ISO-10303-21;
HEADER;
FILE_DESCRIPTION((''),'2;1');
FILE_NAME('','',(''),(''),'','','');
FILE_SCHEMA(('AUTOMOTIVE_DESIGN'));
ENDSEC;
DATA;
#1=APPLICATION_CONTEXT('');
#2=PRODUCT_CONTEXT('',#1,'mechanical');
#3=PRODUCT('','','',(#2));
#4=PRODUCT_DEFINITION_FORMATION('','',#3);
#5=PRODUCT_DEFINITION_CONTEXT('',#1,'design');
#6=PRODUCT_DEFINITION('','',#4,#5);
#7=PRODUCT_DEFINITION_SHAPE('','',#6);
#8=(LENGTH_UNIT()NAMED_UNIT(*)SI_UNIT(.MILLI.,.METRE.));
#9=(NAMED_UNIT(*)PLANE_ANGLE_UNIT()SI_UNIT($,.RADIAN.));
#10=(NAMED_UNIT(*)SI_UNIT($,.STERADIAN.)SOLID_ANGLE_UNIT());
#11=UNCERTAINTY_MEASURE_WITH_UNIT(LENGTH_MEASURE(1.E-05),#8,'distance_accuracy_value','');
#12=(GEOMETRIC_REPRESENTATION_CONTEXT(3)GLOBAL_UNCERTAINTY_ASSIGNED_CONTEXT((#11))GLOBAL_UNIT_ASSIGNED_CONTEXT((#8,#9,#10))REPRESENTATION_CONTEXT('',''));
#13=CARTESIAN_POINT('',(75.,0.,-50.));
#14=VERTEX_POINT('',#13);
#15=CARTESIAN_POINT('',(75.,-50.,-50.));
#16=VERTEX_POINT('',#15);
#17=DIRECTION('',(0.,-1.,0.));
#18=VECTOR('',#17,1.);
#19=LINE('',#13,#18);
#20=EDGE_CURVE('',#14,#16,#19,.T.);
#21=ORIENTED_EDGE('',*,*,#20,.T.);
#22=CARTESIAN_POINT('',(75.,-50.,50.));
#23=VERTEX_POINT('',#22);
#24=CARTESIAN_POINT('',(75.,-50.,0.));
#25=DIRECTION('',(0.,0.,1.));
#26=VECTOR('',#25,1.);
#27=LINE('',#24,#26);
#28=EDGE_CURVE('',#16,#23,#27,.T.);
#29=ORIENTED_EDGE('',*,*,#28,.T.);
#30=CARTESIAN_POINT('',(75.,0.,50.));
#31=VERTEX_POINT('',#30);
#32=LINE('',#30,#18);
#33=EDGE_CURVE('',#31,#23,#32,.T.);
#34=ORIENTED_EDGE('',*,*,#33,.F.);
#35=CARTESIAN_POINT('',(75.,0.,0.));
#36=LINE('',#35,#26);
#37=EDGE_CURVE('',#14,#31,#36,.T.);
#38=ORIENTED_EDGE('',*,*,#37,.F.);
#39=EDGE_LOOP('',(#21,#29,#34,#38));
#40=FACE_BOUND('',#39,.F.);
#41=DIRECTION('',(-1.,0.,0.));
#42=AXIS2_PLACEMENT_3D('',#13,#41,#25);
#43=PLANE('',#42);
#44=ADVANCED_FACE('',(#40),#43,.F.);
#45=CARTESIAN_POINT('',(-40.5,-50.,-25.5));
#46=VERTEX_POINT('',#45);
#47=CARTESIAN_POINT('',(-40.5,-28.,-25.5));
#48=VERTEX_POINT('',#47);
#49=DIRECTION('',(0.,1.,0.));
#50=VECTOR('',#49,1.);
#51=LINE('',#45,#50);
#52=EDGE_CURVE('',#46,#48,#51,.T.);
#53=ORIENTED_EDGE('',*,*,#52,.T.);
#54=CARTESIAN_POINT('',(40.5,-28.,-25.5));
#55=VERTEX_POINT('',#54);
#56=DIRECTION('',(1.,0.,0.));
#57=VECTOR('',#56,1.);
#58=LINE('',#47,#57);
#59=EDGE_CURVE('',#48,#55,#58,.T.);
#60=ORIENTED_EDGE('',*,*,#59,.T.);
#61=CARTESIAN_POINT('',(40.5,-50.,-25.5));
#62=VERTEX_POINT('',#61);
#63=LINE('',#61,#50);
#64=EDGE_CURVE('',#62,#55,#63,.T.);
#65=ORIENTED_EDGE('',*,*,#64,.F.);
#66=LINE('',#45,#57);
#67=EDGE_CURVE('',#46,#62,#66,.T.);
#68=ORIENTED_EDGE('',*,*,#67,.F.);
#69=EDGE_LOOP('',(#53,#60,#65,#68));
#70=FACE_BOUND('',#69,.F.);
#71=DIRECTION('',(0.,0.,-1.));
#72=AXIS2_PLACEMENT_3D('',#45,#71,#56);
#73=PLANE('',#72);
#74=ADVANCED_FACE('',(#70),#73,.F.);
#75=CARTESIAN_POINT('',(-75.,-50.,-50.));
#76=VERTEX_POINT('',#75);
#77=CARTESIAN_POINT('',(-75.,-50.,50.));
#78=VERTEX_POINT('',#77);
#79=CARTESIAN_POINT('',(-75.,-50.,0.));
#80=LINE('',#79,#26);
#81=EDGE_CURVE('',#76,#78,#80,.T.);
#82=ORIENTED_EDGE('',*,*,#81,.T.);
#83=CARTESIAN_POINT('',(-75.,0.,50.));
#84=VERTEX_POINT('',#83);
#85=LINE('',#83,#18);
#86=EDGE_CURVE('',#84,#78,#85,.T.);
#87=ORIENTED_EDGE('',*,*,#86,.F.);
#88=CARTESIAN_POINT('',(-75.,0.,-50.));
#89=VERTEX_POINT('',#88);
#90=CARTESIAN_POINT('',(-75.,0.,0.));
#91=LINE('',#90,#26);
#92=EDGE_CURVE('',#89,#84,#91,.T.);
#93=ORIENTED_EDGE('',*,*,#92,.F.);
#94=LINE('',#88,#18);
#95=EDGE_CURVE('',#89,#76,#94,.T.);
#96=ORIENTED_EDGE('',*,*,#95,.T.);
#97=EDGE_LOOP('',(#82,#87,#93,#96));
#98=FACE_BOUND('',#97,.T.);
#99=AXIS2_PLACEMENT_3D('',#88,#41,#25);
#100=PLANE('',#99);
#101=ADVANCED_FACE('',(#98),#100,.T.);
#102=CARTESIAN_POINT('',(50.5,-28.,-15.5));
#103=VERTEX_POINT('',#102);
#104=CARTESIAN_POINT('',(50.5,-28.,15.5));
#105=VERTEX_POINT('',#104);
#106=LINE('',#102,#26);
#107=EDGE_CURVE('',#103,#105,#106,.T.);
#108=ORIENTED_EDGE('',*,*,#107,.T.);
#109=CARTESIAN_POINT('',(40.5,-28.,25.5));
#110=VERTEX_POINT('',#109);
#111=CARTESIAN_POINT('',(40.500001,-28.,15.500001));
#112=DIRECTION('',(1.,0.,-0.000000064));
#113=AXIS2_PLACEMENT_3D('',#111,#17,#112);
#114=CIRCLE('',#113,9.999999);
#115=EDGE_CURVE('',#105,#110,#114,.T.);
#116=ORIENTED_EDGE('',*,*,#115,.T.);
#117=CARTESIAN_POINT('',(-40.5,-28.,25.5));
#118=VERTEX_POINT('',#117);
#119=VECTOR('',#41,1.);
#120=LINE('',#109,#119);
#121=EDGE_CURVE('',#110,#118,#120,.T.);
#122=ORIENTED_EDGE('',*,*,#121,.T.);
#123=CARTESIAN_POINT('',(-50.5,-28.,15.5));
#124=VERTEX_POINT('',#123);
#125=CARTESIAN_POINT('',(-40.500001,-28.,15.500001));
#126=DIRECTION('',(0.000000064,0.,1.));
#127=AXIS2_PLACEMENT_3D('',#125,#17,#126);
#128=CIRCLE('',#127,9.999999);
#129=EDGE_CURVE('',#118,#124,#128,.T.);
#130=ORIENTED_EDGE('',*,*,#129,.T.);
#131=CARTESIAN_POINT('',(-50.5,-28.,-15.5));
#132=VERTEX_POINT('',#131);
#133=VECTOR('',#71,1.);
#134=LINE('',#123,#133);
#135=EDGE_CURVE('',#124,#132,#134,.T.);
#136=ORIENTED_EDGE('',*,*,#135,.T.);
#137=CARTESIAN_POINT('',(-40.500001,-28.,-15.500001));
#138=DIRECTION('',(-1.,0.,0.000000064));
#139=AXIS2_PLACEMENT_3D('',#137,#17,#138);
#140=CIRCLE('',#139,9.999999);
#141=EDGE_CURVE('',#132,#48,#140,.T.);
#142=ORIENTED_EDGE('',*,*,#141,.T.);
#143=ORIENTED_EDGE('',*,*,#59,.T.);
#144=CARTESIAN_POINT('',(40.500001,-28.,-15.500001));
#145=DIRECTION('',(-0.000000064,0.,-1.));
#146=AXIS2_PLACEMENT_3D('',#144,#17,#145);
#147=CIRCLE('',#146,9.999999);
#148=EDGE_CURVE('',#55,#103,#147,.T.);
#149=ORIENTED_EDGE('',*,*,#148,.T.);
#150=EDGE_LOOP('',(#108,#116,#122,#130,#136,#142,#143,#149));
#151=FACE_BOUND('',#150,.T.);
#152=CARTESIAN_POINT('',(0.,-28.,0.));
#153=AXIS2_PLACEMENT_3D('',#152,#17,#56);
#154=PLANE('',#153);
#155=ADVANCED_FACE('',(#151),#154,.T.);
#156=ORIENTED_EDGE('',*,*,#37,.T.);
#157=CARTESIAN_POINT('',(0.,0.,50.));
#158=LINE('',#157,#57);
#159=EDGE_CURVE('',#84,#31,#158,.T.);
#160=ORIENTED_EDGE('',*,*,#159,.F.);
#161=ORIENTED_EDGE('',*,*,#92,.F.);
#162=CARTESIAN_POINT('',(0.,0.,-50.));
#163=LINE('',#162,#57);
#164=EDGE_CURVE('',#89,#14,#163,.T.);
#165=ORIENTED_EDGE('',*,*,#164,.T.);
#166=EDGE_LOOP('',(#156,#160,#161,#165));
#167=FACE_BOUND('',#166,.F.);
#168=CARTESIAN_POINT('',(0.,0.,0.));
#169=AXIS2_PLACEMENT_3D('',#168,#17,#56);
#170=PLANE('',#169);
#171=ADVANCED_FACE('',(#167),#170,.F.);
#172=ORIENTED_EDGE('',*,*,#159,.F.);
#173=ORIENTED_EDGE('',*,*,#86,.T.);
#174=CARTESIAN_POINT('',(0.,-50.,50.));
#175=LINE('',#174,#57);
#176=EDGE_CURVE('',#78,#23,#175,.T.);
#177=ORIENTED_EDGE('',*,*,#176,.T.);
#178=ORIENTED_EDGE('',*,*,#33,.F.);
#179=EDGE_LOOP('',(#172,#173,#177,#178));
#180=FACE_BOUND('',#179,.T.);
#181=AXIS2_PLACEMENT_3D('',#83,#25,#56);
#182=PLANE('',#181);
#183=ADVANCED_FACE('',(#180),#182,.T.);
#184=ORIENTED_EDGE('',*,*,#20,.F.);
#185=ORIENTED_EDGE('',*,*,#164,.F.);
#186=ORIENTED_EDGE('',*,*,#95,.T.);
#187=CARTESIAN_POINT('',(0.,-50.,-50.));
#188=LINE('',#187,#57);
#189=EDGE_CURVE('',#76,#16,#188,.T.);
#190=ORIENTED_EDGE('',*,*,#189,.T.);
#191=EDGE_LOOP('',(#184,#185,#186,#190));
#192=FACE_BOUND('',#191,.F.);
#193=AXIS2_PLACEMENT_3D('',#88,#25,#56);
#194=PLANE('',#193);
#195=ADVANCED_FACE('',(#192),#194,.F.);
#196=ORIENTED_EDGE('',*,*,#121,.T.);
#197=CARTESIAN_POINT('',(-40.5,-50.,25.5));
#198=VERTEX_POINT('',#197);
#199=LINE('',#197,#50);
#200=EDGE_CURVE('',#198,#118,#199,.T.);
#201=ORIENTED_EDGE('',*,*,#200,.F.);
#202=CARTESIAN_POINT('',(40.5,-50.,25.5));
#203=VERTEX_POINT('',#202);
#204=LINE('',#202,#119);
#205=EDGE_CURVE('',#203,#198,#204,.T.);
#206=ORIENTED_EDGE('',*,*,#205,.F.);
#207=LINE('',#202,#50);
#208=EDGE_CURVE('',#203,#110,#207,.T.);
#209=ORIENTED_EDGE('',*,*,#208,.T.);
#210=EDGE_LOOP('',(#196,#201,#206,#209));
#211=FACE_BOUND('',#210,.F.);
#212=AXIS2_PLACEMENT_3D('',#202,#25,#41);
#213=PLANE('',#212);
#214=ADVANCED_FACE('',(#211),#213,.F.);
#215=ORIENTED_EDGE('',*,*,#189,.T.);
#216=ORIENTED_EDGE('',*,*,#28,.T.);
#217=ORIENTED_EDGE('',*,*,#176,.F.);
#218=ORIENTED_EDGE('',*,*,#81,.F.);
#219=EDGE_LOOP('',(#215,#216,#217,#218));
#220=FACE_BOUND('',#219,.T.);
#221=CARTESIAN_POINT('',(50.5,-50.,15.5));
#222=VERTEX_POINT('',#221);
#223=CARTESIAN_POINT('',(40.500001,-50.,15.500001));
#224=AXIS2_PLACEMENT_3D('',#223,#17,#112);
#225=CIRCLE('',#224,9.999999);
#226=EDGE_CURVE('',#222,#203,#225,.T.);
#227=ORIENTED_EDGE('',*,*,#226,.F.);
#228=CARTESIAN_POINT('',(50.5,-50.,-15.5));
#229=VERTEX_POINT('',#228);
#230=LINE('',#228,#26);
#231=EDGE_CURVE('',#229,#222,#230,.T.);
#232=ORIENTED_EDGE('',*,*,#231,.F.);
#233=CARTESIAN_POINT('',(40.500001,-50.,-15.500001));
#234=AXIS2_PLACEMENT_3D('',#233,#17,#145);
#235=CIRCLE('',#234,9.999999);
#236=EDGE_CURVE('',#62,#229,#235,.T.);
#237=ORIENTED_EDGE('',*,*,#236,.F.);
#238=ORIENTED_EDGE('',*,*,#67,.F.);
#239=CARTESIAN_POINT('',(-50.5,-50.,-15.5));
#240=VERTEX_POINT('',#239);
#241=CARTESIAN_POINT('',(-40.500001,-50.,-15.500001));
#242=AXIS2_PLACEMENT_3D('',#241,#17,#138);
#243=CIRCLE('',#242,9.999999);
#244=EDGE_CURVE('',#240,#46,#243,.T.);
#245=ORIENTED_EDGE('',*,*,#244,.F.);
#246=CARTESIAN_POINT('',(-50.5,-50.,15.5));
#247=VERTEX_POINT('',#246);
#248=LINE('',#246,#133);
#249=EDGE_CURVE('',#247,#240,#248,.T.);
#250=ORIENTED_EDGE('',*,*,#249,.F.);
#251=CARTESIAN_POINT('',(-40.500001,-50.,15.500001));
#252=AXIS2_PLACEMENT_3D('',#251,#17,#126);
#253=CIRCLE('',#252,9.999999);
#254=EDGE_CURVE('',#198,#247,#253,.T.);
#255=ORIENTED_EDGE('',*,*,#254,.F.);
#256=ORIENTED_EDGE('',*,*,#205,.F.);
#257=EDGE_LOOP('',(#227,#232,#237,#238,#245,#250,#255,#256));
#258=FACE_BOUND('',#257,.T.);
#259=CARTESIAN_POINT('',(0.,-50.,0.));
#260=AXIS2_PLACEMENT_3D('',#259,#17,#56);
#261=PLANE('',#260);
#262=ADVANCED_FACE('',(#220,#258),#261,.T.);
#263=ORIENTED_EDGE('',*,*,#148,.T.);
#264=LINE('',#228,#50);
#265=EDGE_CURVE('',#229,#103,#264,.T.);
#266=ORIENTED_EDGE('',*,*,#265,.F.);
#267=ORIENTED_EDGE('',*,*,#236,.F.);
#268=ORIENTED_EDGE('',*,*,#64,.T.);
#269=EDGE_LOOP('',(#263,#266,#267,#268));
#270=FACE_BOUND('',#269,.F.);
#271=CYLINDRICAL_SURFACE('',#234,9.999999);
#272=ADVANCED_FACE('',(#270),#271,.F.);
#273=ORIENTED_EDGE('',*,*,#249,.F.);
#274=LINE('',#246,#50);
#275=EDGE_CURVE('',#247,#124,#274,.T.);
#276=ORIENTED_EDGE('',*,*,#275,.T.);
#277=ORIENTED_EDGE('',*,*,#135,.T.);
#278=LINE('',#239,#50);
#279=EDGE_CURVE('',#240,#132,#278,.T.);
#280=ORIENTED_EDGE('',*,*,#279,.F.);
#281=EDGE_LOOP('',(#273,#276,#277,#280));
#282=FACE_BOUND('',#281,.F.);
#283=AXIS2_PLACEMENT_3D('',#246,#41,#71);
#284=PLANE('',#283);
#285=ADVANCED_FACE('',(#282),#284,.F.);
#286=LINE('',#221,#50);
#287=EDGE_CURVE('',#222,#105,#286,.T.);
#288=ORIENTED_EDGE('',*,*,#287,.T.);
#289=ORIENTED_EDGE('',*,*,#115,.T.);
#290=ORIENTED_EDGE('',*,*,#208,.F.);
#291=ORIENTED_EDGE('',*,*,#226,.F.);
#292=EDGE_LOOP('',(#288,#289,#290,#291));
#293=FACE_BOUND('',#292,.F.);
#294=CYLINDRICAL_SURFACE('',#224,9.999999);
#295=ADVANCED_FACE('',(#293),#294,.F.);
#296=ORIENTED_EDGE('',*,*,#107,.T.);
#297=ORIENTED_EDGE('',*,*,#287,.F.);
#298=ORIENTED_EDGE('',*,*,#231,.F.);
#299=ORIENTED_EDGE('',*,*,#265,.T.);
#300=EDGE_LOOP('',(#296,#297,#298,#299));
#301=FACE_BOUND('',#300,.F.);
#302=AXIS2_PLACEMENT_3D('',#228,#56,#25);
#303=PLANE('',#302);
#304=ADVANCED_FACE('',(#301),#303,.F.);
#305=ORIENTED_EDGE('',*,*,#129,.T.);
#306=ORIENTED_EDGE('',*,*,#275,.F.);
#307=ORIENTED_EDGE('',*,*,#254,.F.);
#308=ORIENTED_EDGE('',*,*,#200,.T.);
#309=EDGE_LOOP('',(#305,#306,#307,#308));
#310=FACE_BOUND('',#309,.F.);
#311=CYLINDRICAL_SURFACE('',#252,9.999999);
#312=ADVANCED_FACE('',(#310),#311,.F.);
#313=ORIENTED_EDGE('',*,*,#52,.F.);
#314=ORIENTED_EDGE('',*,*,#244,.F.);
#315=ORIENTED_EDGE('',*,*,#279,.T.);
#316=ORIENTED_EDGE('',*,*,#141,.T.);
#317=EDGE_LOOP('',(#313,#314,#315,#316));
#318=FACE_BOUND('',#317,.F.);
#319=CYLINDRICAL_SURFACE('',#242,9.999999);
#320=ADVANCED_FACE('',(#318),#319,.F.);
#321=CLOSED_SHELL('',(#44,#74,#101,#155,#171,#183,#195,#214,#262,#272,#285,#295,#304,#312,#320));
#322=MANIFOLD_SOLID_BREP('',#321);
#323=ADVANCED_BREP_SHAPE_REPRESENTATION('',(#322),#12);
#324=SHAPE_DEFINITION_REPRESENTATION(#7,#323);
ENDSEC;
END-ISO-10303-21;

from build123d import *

# Parameters (mm, degrees)
F0_W     = 150
F0_H     = 100
F1_DEPTH = 50
F3_DEPTH = 22


with BuildPart() as f1:
    # F0 (on Front) → F1 (new body)
    with BuildSketch(Plane.XZ):
        Rectangle(F0_W, F0_H)
    extrude(amount=F1_DEPTH)

    # F2 (on face) → F3 (cut)
    with BuildSketch(Plane.XZ.offset(50)):
        with BuildLine():
            ThreePointArc((50.5, 15.5), (47.571068, 22.571068), (40.5, 25.5))
            Line((40.5, 25.5), (-40.5, 25.5))
            ThreePointArc((-40.5, 25.5), (-47.571068, 22.571068), (-50.5, 15.5))
            Line((-50.5, 15.5), (-50.5, -15.5))
            ThreePointArc((-50.5, -15.5), (-47.571068, -22.571068), (-40.5, -25.5))
            Line((-40.5, -25.5), (40.5, -25.5))
            ThreePointArc((40.5, -25.5), (47.571068, -22.571068), (50.5, -15.5))
            Line((50.5, -15.5), (50.5, 15.5))
        make_face()
    extrude(amount=-F3_DEPTH, mode=Mode.SUBTRACT)


solid = f1.part
